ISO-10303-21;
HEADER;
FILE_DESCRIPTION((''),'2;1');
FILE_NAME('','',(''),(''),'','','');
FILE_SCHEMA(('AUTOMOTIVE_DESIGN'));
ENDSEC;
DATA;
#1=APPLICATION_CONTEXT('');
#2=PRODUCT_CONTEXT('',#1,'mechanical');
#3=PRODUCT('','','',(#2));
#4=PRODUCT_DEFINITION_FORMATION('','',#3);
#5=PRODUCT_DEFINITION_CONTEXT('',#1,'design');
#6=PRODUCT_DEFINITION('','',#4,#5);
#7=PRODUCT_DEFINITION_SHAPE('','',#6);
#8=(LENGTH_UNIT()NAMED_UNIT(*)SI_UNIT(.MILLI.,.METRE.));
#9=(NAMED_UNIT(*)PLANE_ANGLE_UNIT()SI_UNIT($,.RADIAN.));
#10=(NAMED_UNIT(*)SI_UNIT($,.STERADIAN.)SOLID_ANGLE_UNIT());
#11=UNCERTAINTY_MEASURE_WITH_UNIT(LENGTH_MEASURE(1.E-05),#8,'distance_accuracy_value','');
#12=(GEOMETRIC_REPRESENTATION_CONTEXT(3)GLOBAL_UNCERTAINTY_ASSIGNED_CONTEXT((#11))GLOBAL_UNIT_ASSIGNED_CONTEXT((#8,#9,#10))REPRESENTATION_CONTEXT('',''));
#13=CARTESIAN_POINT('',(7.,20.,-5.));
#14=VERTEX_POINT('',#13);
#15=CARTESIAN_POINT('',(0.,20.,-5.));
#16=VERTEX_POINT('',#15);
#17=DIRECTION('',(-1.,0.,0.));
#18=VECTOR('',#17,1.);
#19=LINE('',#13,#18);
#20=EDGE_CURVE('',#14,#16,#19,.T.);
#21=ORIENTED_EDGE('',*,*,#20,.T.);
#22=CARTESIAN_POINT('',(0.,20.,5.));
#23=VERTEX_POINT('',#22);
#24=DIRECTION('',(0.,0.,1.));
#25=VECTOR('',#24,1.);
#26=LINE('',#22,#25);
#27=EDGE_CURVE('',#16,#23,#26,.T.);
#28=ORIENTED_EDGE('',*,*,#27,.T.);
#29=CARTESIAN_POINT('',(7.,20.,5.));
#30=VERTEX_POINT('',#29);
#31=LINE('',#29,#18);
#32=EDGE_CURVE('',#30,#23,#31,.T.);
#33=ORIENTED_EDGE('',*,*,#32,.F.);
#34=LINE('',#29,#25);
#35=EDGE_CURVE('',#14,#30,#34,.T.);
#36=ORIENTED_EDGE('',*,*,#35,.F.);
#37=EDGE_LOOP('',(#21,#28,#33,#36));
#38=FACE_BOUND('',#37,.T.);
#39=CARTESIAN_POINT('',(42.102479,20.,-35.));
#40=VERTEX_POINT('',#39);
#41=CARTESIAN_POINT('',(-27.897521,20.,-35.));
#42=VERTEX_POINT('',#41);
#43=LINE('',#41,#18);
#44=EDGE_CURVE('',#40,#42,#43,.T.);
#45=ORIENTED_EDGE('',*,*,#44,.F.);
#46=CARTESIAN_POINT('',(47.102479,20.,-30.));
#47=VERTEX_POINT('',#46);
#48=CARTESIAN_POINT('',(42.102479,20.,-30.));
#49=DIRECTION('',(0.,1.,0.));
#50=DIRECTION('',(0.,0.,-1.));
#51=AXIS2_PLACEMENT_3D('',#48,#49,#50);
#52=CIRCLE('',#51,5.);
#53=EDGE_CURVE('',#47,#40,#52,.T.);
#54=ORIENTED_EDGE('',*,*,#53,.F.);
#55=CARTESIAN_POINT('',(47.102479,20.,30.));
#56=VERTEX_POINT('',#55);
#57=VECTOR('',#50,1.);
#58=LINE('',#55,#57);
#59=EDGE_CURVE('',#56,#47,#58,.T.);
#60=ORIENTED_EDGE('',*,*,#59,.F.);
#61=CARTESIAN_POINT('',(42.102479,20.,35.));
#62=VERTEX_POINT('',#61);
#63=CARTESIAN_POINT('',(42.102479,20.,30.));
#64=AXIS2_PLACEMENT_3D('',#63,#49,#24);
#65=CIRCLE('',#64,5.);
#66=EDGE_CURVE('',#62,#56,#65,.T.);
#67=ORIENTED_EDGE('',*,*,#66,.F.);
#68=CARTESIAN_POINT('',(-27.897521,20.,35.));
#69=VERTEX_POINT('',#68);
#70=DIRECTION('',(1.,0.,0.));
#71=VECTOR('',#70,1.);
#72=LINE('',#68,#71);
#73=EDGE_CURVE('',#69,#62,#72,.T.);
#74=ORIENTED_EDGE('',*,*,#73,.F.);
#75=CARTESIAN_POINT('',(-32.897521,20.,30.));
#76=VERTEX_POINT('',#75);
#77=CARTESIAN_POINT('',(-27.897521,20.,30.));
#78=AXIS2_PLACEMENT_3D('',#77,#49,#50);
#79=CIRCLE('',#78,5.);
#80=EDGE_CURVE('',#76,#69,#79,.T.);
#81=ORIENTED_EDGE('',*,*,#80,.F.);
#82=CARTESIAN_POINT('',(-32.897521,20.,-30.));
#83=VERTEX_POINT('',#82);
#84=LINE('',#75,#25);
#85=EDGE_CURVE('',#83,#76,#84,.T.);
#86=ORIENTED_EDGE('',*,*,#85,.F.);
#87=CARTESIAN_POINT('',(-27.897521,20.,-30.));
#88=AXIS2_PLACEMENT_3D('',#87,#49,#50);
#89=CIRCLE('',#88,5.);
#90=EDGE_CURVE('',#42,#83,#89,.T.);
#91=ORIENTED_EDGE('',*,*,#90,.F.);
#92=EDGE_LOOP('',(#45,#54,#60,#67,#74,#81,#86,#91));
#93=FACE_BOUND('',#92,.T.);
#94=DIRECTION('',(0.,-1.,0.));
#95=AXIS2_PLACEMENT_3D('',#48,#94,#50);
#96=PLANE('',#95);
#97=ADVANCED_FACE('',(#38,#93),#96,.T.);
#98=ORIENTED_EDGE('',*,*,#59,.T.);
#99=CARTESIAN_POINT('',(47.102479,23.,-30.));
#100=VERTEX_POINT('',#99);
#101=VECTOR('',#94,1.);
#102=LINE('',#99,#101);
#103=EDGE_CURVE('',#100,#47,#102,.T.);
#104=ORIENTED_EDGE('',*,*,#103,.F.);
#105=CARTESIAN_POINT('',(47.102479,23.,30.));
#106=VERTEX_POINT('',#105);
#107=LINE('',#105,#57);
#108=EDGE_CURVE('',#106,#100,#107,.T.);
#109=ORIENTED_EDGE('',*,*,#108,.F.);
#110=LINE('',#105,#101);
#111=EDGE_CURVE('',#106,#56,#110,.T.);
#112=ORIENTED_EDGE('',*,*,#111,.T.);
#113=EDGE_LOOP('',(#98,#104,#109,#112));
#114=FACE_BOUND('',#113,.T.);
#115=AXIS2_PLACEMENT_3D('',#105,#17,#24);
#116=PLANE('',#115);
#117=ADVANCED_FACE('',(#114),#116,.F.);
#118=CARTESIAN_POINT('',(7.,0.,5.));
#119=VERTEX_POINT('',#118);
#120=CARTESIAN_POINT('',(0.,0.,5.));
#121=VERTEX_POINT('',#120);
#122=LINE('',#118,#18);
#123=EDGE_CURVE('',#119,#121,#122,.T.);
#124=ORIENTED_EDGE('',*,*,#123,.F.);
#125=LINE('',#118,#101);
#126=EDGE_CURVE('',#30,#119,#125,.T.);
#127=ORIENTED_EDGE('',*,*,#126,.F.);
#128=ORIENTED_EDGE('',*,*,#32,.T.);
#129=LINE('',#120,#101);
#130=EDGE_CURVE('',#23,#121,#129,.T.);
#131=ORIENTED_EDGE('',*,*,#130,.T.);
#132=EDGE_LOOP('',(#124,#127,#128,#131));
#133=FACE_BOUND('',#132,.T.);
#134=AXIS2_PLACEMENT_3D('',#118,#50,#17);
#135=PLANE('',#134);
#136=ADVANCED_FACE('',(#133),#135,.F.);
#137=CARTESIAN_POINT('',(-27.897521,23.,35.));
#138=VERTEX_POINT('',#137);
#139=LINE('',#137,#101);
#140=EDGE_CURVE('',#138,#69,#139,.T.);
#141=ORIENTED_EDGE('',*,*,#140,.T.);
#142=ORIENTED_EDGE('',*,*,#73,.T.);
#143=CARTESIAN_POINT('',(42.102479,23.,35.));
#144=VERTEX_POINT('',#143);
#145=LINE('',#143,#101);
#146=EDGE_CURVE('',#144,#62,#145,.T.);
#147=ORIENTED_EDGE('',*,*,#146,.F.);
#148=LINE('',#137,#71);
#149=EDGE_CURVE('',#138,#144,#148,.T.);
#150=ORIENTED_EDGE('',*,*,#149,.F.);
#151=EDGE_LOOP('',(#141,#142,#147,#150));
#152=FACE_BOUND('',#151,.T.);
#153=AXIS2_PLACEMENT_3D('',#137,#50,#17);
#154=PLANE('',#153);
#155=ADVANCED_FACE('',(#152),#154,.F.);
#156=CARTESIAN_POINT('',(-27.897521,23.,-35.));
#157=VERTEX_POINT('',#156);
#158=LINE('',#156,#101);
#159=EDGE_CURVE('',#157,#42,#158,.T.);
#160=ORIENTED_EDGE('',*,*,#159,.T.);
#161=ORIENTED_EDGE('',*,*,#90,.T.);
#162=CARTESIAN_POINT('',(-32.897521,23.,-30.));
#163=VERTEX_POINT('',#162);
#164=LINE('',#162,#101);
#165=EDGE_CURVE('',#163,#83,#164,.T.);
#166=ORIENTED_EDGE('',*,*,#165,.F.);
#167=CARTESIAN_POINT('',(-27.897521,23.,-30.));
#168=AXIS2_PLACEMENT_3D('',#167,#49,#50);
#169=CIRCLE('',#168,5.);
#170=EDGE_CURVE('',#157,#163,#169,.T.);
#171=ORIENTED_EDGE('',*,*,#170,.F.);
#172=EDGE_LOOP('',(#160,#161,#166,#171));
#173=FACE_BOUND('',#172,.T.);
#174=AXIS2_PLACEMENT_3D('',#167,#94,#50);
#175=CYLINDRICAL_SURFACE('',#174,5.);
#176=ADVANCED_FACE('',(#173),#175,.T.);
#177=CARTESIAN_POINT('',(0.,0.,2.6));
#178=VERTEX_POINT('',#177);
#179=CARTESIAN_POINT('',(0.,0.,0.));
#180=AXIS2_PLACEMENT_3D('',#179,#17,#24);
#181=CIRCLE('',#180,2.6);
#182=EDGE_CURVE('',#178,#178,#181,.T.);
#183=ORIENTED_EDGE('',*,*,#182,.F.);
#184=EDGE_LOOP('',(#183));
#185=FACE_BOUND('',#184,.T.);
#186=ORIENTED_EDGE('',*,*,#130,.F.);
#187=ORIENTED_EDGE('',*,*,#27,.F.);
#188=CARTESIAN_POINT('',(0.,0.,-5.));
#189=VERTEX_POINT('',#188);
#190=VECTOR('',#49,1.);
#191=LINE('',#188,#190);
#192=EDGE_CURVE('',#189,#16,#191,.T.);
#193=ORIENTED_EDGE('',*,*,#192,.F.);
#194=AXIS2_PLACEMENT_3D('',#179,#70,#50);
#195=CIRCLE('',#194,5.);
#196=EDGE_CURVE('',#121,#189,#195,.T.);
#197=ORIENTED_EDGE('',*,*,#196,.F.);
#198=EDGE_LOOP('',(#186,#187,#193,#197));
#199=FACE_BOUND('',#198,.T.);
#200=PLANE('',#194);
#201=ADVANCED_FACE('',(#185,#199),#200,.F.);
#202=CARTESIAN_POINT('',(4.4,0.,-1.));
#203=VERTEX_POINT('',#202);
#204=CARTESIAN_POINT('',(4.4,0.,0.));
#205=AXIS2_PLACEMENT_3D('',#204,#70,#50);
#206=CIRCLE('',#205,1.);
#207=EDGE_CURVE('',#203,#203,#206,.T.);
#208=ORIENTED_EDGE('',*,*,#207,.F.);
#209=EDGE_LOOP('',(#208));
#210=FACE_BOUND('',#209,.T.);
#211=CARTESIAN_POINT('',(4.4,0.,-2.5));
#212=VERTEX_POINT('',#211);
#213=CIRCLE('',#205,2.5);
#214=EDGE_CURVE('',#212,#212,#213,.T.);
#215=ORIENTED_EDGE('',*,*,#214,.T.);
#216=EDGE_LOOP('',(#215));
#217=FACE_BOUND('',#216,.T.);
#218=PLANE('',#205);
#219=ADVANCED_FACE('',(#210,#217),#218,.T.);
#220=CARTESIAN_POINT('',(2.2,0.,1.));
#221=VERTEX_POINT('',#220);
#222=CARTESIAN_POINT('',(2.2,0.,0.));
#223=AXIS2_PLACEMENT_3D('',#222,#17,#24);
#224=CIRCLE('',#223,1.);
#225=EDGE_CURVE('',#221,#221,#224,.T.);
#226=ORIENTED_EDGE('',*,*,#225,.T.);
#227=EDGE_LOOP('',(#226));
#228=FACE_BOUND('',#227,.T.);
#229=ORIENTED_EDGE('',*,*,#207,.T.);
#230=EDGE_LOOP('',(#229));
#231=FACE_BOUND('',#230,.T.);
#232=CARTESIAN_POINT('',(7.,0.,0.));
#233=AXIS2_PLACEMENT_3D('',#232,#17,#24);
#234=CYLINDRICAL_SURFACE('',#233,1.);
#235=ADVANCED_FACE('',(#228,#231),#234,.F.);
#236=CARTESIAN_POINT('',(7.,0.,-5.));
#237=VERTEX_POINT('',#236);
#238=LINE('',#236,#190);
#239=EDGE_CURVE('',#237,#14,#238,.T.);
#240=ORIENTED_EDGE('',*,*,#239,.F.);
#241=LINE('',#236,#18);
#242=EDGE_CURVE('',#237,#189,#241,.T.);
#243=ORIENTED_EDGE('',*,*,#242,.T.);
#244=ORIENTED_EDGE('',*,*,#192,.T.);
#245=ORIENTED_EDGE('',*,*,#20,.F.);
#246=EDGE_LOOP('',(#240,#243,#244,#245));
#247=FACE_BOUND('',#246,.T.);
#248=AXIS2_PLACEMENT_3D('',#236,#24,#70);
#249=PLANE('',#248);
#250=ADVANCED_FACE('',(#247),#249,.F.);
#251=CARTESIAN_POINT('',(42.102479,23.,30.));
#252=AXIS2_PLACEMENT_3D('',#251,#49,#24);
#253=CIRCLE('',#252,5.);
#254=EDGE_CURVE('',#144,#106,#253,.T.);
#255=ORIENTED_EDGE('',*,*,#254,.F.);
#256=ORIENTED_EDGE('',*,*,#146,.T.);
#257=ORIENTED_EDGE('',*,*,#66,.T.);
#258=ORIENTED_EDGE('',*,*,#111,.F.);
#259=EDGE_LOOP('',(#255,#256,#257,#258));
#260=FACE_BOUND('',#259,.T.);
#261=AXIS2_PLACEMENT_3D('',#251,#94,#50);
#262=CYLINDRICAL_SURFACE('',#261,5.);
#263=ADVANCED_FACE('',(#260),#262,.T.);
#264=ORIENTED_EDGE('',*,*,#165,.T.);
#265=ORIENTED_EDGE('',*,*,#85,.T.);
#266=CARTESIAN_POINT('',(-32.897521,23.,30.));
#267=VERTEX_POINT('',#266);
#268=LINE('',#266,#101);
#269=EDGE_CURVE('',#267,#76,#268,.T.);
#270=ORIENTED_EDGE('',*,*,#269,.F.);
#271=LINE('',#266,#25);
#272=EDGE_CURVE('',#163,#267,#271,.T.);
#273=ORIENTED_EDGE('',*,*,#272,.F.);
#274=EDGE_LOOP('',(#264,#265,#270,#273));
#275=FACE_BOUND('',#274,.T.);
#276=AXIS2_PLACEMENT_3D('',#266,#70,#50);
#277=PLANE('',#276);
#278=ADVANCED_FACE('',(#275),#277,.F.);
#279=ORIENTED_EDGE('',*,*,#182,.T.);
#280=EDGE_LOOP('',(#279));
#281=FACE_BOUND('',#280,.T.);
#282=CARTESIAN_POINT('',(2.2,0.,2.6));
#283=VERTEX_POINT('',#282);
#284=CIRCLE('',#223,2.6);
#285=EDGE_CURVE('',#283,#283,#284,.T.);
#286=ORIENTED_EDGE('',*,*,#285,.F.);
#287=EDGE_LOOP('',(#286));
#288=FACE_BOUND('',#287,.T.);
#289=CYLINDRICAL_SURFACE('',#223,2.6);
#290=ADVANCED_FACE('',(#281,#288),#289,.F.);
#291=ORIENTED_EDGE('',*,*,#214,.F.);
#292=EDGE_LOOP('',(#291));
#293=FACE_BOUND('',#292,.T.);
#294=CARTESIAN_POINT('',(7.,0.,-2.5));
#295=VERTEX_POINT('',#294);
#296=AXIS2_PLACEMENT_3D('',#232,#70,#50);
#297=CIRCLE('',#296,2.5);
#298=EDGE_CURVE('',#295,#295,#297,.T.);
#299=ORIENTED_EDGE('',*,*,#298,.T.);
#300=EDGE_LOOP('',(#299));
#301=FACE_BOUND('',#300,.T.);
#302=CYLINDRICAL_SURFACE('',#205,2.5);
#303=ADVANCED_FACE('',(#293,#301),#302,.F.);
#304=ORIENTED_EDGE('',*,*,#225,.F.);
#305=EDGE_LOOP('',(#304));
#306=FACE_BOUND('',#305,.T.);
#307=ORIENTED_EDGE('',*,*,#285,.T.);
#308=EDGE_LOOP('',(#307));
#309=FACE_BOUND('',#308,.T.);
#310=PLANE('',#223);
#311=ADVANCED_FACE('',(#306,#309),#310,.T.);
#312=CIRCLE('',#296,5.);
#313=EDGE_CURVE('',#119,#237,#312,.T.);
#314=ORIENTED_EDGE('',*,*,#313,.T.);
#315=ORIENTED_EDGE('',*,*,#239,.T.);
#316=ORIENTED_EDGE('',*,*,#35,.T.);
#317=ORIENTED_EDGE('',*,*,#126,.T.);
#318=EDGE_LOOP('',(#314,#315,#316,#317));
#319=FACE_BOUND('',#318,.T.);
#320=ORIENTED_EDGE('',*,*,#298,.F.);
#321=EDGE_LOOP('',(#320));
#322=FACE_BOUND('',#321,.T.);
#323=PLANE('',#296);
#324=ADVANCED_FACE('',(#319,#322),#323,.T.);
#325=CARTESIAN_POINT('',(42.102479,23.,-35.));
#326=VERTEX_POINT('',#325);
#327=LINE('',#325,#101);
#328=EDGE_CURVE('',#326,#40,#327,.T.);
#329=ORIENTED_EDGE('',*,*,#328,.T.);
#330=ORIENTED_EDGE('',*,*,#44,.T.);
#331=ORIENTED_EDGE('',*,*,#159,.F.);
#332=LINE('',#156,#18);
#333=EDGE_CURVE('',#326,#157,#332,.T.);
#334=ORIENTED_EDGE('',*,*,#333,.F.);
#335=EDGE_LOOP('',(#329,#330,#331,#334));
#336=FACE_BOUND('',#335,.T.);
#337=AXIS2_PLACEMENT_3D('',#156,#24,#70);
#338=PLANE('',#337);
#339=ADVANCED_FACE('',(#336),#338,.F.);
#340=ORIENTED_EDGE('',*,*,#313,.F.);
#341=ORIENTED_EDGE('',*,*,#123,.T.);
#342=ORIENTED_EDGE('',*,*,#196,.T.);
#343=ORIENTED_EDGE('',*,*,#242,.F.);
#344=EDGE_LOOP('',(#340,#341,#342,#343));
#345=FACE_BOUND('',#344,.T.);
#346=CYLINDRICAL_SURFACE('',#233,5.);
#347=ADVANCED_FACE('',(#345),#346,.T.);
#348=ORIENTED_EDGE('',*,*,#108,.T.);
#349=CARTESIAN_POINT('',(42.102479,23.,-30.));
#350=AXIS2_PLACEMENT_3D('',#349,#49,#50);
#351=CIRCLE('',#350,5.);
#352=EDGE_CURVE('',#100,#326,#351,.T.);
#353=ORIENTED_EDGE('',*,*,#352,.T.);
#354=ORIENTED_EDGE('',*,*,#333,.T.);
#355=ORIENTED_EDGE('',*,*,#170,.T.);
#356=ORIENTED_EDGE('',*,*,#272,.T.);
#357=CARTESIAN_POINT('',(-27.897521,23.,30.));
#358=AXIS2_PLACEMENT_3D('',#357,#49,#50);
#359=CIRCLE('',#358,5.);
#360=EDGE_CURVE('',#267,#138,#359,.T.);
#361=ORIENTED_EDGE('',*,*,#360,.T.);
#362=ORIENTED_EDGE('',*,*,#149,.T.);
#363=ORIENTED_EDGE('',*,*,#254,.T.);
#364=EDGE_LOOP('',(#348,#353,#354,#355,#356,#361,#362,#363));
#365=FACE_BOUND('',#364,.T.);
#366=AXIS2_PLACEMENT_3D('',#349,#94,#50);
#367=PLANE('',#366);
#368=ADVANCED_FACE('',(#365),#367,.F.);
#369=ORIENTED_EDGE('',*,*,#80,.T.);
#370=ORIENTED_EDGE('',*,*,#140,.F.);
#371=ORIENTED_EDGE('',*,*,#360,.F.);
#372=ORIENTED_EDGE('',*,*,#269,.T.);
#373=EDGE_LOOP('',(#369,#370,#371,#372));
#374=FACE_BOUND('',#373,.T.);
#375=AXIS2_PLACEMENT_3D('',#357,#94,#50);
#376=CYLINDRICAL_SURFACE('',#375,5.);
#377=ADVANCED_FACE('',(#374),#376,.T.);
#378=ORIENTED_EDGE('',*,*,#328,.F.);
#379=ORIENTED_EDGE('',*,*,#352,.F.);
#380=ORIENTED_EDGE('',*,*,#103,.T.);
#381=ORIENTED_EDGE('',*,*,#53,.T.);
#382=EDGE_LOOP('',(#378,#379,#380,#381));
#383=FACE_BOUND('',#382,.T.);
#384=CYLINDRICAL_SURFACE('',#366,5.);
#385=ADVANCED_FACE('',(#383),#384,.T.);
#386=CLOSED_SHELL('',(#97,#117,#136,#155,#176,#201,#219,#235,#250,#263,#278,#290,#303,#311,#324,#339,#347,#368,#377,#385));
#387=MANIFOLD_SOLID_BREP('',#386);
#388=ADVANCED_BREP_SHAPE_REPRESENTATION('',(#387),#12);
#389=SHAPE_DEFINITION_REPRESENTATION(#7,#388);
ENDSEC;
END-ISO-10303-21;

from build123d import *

# Parameters (mm, degrees)
CROQUIS2_R              = 1
SALIENTE_EXTRUIR1_DEPTH = 7
SALIENTE_EXTRUIR2_DEPTH = 3
CROQUIS4_R              = 2.5
CORTAR_EXTRUIR1_DEPTH   = 2.6
CROQUIS5_R              = 2.6
CORTAR_EXTRUIR3_DEPTH   = 2.2


with BuildPart() as part:
    # Croquis2 → Saliente-Extruir1 (new body)
    with BuildSketch(Plane(origin=(0, 0, 0), x_dir=(0, 0, -1), z_dir=(1, 0, 0))):
        with BuildLine():
            Line((-5, 0), (-5, 20))
            Line((-5, 20), (5, 20))
            Line((5, 20), (5, 0))
            ThreePointArc((5, 0), (0, -5), (-5, 0))
        make_face()
        Circle(CROQUIS2_R, mode=Mode.SUBTRACT)
    extrude(amount=SALIENTE_EXTRUIR1_DEPTH)

    # Croquis3 → Saliente-Extruir2 (add)
    with BuildSketch(Plane(origin=(0, 20, 0), x_dir=(1, 0, 0), z_dir=(0, 1, 0))):
        with BuildLine():
            Line((-27.897521221, -35), (42.102478779, -35))
            ThreePointArc((42.102478779, -35), (45.638012685, -33.535533906), (47.102478779, -30))
            Line((47.102478779, -30), (47.102478779, 30))
            ThreePointArc((47.102478779, 30), (45.638012685, 33.535533906), (42.102478779, 35))
            Line((42.102478779, 35), (-27.897521221, 35))
            ThreePointArc((-27.897521221, 35), (-31.433055127, 33.535533906), (-32.897521221, 30))
            Line((-32.897521221, 30), (-32.897521221, -30))
            ThreePointArc((-32.897521221, -30), (-31.433055127, -33.535533906), (-27.897521221, -35))
        make_face()
    extrude(amount=SALIENTE_EXTRUIR2_DEPTH)

    # Croquis4 → Cortar-Extruir1 (cut)
    with BuildSketch(Plane(origin=(7, 0, 0), x_dir=(0, 0, -1), z_dir=(1, 0, 0))):
        Circle(CROQUIS4_R)
    extrude(amount=-CORTAR_EXTRUIR1_DEPTH, mode=Mode.SUBTRACT)

    # Croquis5 → Cortar-Extruir3 (cut)
    with BuildSketch(Plane.ZY):
        Circle(CROQUIS5_R)
    extrude(amount=-CORTAR_EXTRUIR3_DEPTH, mode=Mode.SUBTRACT)


solid = part.part
